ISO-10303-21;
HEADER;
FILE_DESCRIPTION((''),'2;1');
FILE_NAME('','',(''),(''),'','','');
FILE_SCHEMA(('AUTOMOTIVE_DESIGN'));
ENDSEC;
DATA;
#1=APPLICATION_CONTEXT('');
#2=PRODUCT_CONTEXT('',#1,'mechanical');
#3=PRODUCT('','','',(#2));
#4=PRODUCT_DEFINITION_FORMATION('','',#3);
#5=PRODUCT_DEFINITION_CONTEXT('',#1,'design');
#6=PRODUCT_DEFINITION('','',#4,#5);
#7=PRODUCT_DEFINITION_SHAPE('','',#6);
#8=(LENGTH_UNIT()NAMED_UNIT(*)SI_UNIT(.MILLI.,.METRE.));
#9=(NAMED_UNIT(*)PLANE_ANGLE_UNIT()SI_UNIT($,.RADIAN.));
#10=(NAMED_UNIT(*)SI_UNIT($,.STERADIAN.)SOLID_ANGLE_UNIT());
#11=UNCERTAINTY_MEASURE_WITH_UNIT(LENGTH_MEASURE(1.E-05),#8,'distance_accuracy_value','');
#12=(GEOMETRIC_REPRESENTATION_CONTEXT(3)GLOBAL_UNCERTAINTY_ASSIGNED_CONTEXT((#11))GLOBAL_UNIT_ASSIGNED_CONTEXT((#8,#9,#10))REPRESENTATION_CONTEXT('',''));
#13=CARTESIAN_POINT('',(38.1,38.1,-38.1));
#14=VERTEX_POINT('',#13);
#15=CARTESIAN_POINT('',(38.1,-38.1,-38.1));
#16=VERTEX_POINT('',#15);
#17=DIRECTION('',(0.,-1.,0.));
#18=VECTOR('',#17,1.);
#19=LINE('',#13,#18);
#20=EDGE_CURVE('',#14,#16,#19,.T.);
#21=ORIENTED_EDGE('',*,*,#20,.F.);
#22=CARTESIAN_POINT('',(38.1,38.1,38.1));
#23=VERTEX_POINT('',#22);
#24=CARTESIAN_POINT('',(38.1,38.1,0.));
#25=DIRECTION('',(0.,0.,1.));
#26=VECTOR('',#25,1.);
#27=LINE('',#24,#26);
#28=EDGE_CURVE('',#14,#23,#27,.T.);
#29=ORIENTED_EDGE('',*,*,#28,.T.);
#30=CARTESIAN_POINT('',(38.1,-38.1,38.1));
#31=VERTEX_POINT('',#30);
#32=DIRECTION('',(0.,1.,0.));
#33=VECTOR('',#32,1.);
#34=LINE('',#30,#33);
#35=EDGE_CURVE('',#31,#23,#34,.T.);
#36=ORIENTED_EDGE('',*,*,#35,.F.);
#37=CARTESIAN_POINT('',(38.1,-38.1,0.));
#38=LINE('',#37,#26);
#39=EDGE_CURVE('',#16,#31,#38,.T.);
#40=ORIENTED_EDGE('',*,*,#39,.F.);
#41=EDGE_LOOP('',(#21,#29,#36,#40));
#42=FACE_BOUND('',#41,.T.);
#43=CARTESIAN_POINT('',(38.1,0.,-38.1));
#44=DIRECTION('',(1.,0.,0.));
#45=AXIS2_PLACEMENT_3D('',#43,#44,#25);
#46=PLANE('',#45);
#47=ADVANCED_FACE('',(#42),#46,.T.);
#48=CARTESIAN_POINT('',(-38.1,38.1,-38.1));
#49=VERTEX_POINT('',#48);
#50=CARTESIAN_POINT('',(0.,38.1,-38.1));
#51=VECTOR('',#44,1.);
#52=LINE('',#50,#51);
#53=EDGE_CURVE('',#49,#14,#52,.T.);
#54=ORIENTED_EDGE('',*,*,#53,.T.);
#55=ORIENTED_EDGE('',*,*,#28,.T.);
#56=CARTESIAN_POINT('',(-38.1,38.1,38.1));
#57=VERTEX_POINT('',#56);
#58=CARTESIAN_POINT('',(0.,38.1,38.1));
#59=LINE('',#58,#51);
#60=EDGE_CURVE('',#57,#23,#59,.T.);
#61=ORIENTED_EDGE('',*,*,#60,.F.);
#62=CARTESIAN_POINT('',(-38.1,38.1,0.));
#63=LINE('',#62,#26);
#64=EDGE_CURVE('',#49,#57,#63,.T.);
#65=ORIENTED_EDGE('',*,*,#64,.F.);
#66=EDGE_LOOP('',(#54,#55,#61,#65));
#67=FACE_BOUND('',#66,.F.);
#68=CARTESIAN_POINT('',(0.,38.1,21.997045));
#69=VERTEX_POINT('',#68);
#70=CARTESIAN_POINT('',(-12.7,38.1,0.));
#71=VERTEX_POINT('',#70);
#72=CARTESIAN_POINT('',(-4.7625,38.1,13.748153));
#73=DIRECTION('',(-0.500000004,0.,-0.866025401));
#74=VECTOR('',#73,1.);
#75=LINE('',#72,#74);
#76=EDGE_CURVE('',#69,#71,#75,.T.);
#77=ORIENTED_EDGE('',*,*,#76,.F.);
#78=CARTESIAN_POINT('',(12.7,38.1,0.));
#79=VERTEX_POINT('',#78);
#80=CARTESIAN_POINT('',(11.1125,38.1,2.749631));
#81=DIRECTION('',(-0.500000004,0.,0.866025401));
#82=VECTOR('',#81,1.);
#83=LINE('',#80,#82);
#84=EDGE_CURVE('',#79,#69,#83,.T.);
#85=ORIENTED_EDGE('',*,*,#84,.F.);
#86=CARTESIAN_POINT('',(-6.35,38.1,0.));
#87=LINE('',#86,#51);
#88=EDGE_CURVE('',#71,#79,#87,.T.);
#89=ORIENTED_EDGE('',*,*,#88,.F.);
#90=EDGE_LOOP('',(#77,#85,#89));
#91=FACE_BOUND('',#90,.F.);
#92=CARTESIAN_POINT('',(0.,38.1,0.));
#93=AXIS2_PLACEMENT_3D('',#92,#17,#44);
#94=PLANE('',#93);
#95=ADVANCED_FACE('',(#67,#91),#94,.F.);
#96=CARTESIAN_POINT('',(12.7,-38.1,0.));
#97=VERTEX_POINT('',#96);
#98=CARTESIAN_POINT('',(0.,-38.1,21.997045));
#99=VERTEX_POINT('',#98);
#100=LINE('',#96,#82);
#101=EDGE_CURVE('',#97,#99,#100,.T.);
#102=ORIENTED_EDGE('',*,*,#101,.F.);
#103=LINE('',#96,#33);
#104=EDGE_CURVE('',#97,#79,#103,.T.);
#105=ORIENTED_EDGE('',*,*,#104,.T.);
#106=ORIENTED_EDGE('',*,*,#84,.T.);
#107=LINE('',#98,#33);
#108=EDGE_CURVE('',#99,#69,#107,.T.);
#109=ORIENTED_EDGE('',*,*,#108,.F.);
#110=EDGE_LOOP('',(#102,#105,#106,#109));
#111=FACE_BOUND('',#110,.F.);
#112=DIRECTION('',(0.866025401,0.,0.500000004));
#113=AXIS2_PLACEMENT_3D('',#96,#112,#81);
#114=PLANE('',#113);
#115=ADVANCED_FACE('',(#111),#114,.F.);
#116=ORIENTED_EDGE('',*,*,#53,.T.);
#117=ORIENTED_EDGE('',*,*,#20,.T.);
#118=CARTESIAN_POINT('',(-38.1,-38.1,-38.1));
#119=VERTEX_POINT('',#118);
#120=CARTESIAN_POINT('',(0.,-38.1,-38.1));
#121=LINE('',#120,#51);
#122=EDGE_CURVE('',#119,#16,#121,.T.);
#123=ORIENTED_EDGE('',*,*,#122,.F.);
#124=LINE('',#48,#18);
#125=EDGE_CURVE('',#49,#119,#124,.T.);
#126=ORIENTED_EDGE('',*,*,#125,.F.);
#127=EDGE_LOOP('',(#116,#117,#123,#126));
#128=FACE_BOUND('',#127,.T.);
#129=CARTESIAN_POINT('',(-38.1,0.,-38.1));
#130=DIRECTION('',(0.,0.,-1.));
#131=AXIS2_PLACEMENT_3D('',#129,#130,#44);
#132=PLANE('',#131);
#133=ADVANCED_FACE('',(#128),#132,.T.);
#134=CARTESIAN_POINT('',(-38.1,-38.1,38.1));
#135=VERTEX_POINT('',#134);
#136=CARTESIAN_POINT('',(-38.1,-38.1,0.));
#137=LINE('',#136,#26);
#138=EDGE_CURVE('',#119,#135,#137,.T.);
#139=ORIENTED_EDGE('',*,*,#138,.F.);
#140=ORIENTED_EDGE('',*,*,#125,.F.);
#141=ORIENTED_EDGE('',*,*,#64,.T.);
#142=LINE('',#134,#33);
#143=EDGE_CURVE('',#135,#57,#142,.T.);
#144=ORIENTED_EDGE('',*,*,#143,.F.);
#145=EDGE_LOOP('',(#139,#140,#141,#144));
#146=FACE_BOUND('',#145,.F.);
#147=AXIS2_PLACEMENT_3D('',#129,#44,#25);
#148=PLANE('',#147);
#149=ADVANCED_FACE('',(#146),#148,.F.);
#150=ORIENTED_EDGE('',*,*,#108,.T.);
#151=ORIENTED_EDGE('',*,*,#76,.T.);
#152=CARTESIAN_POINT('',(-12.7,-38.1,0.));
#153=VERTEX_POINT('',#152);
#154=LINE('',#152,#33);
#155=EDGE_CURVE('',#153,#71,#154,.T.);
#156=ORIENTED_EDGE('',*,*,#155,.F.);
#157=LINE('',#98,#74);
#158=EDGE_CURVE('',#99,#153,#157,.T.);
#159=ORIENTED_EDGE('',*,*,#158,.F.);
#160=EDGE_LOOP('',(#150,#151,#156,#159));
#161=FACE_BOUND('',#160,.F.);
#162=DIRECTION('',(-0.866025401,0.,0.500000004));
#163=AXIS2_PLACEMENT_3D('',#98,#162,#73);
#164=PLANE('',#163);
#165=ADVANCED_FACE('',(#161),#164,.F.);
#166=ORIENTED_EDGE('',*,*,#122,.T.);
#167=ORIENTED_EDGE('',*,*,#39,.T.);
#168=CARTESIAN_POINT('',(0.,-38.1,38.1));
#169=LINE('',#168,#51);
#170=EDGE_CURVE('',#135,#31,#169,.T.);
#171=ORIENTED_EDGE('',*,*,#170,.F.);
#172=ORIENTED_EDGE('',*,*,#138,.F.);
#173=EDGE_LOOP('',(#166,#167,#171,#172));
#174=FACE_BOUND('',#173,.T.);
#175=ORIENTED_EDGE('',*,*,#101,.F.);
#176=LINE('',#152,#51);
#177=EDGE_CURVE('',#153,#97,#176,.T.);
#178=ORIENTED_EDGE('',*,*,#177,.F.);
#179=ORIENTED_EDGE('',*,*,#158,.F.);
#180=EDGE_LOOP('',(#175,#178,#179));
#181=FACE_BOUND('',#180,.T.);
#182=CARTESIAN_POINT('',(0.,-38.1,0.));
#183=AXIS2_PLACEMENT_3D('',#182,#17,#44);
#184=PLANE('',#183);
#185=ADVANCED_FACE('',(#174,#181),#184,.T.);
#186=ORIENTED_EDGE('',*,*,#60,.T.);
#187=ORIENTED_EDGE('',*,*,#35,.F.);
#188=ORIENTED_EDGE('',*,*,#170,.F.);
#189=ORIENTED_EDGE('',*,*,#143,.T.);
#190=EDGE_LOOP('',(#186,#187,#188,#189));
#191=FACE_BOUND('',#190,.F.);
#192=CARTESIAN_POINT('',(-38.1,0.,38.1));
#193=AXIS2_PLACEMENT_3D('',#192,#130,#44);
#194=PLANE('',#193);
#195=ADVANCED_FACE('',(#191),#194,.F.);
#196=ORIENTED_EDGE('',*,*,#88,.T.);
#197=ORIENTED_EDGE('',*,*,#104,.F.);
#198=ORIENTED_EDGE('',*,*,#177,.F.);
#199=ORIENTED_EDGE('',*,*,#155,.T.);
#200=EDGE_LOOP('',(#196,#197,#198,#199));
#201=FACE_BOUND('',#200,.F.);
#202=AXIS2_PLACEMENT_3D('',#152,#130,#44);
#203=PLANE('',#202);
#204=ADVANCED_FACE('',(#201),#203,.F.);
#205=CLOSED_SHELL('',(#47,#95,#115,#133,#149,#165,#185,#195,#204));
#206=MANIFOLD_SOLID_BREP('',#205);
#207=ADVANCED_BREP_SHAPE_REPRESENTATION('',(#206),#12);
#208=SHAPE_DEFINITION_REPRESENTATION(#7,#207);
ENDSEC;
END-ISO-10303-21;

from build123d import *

# Parameters (mm, degrees)
F0_W     = 76.2
F0_H     = 76.2
F1_DEPTH = 38.1
F3_DEPTH = 76.201


with BuildPart() as f1:
    # F0 (on Front) → F1 (new body, symmetric)
    with BuildSketch(Plane.XZ):
        Rectangle(F0_W, F0_H)
    extrude(amount=F1_DEPTH, both=True)

    # F2 (on face) → F3 (cut, through all)
    with BuildSketch(Plane.XZ.offset(38.1)):
        Polygon((0, 21.997045), (-12.7, 0), (12.7, 0), align=None)
    extrude(amount=-F3_DEPTH, mode=Mode.SUBTRACT)


solid = f1.part
